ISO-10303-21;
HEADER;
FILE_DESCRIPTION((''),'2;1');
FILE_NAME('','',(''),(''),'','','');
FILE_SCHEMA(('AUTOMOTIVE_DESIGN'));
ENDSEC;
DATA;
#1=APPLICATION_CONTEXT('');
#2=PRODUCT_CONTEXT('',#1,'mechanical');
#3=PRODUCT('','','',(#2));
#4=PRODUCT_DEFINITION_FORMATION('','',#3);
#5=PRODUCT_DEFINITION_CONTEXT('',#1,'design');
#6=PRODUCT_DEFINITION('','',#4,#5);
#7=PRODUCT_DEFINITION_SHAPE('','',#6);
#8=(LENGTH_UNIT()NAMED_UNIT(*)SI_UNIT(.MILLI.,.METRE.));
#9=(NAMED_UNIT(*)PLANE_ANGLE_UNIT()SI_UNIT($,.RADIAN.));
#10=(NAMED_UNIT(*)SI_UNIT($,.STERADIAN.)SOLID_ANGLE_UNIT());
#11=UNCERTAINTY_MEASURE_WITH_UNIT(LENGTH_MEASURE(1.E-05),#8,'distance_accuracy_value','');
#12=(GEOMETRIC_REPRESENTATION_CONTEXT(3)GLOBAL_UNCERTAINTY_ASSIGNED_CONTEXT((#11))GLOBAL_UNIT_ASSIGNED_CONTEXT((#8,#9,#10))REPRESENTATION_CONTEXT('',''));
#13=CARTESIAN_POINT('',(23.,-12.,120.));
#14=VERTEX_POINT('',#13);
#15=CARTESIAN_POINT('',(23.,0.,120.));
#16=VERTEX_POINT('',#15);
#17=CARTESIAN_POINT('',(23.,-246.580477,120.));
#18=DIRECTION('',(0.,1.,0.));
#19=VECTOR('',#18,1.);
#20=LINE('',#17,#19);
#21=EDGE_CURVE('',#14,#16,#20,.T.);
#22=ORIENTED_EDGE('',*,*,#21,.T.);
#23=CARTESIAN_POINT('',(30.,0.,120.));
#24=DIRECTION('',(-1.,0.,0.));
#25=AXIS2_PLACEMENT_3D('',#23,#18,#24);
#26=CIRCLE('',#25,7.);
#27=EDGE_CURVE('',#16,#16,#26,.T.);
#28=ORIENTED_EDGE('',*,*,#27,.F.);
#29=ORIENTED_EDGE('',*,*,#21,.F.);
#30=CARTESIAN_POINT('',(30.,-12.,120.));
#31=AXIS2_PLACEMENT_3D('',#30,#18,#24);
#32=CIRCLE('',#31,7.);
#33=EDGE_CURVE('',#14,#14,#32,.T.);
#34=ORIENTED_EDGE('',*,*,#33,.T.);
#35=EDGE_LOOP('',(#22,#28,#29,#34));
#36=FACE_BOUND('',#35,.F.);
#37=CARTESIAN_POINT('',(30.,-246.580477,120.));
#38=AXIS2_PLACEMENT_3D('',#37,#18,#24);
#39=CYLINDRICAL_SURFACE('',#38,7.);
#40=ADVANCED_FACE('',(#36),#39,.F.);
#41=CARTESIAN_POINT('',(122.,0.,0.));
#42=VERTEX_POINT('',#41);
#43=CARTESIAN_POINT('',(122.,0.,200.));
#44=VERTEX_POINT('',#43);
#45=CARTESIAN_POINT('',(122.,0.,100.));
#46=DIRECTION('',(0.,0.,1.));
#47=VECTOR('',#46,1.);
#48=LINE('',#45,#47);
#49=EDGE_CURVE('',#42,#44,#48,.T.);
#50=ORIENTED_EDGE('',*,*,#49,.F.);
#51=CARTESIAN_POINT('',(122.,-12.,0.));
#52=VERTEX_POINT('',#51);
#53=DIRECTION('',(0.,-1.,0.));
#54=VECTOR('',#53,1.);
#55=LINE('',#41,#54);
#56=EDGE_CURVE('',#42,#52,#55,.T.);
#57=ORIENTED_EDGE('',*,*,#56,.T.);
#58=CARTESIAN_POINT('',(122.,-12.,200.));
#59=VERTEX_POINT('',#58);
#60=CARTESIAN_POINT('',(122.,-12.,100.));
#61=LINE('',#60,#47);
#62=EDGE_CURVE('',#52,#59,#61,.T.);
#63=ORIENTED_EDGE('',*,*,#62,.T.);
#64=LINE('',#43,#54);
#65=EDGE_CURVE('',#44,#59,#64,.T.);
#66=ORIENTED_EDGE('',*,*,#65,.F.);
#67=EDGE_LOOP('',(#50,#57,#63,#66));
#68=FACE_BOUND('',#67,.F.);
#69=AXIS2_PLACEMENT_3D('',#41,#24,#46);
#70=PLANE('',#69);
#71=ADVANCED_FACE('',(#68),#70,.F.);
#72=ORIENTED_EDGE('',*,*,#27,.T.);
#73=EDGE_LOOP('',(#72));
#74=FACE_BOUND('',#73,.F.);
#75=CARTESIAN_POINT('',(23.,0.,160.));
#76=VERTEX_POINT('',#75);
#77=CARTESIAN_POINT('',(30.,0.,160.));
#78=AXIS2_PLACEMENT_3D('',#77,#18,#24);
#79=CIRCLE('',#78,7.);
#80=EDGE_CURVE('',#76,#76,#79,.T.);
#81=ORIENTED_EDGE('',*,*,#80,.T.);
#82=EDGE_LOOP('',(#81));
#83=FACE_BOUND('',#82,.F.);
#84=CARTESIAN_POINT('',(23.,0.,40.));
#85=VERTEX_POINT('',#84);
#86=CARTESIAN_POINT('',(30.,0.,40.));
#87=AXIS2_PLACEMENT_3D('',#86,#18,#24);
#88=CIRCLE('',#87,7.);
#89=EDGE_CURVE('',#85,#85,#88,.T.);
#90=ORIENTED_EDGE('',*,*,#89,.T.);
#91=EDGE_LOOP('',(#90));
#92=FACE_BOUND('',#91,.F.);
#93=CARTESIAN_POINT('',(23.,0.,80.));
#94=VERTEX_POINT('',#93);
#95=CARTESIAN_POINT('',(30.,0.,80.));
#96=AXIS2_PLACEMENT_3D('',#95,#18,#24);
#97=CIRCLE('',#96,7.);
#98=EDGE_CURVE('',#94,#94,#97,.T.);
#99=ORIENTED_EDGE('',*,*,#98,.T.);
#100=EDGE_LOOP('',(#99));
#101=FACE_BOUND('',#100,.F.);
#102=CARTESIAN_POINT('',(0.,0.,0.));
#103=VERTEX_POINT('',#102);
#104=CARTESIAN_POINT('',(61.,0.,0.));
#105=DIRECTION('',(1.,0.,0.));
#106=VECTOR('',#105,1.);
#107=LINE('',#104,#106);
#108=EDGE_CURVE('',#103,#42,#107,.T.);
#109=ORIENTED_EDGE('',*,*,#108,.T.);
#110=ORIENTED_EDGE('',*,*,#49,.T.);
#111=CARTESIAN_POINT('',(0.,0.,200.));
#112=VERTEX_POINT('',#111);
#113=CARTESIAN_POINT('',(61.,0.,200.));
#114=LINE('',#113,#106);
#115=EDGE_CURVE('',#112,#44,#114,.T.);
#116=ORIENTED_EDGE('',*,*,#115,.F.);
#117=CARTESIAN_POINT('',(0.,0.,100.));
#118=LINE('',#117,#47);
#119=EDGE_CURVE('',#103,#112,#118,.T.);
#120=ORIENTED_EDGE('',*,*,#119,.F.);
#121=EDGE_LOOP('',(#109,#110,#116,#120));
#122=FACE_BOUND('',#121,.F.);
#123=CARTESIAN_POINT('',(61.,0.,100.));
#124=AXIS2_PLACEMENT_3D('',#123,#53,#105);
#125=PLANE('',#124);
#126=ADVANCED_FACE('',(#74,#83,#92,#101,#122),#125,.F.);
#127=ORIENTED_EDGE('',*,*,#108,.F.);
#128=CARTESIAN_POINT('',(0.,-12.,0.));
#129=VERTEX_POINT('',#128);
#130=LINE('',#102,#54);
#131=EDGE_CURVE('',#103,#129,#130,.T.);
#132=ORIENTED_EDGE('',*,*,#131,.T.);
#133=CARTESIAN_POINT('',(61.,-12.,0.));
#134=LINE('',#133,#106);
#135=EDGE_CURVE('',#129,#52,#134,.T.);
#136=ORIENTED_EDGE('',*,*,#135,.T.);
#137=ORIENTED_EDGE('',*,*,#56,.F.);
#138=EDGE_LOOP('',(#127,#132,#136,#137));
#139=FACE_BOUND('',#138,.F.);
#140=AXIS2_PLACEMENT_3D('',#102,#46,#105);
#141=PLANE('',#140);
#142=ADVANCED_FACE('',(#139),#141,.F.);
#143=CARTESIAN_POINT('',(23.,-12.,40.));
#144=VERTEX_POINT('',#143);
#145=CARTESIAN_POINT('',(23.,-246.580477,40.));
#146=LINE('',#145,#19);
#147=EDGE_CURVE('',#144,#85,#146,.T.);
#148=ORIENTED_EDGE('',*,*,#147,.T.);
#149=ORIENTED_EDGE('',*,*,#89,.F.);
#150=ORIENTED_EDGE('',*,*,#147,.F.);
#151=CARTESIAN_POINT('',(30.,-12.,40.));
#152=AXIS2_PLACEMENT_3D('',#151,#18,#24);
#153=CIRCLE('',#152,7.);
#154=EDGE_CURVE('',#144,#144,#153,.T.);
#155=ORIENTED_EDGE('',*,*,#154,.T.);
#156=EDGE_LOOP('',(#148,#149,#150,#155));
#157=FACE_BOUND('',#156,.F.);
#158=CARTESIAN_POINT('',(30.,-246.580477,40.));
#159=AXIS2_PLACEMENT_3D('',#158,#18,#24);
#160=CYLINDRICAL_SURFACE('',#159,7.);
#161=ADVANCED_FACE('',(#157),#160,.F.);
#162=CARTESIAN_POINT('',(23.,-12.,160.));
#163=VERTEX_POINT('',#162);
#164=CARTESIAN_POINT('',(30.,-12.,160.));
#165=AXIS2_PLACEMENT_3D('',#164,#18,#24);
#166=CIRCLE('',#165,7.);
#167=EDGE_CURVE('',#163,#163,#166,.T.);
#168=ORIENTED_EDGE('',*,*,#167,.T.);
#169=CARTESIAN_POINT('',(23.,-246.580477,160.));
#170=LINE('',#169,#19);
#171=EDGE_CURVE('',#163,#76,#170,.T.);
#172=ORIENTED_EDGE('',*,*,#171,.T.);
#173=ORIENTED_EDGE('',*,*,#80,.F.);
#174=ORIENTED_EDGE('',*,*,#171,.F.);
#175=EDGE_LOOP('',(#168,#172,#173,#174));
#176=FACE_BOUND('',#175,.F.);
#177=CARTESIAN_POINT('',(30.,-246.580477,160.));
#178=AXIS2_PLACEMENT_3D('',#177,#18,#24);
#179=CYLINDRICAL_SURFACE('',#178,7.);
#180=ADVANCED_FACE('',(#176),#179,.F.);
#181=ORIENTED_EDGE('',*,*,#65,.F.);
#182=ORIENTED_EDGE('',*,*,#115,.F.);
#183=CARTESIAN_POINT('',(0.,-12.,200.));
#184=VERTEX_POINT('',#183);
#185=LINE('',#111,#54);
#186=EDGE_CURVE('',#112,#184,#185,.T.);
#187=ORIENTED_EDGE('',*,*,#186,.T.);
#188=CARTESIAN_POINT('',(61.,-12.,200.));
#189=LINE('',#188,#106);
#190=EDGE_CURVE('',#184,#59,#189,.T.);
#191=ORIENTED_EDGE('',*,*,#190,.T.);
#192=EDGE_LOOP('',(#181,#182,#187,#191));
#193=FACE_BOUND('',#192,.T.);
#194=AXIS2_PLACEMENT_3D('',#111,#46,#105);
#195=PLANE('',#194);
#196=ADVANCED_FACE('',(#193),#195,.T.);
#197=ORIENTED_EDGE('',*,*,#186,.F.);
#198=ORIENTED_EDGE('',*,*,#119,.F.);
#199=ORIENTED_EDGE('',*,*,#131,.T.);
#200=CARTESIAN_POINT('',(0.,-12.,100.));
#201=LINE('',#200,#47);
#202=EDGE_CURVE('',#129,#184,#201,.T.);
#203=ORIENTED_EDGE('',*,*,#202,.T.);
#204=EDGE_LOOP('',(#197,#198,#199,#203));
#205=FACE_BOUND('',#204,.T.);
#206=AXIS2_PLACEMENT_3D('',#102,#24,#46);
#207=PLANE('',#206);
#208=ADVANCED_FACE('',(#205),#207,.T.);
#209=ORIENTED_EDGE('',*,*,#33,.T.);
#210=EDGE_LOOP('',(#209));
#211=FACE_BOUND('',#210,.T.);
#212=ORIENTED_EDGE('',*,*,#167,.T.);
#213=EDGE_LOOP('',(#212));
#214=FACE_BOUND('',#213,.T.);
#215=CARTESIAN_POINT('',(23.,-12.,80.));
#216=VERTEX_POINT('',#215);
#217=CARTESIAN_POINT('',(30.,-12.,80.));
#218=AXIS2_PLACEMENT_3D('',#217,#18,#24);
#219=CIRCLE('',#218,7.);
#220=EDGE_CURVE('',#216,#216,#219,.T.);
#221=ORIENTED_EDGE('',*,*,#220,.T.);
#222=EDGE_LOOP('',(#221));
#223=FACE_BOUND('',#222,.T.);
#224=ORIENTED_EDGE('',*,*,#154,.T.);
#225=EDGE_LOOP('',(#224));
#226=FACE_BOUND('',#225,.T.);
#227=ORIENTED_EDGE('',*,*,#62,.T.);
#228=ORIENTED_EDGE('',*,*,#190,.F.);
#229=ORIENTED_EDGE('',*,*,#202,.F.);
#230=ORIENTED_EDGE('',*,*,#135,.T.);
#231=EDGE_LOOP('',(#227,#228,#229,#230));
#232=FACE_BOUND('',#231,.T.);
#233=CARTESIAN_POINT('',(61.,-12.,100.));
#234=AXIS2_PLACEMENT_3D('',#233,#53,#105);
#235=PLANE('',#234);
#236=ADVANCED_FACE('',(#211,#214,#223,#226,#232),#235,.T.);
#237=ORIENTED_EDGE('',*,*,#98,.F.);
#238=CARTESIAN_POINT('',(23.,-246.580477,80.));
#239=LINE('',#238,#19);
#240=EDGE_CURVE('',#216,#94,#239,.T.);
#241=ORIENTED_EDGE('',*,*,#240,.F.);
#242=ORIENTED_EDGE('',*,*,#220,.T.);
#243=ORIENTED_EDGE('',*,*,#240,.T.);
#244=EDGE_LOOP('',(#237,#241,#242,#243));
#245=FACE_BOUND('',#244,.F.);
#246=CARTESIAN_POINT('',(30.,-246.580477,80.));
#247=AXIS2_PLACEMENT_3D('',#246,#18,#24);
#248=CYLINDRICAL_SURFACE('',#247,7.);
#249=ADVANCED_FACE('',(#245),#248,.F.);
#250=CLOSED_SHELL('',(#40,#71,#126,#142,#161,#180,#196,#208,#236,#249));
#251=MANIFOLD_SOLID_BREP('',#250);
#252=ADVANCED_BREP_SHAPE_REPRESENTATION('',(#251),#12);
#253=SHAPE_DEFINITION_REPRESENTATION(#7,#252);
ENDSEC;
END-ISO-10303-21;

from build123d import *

# Parameters (mm, degrees)
F0_W     = 122
F0_H     = 200
F1_DEPTH = 12
F3_D     = 14


with BuildPart() as f1:
    # F0 (on Front) → F1 (new body)
    with BuildSketch(Plane.XZ):
        with Locations((61, 100)):
            Rectangle(F0_W, F0_H)
    extrude(amount=F1_DEPTH)

    # F3 (through all)
    with Locations(Plane.XZ.offset(12)):
        with Locations((30, 160), (30, 120), (30, 80), (30, 40)):
            Hole(F3_D / 2)


solid = f1.part
